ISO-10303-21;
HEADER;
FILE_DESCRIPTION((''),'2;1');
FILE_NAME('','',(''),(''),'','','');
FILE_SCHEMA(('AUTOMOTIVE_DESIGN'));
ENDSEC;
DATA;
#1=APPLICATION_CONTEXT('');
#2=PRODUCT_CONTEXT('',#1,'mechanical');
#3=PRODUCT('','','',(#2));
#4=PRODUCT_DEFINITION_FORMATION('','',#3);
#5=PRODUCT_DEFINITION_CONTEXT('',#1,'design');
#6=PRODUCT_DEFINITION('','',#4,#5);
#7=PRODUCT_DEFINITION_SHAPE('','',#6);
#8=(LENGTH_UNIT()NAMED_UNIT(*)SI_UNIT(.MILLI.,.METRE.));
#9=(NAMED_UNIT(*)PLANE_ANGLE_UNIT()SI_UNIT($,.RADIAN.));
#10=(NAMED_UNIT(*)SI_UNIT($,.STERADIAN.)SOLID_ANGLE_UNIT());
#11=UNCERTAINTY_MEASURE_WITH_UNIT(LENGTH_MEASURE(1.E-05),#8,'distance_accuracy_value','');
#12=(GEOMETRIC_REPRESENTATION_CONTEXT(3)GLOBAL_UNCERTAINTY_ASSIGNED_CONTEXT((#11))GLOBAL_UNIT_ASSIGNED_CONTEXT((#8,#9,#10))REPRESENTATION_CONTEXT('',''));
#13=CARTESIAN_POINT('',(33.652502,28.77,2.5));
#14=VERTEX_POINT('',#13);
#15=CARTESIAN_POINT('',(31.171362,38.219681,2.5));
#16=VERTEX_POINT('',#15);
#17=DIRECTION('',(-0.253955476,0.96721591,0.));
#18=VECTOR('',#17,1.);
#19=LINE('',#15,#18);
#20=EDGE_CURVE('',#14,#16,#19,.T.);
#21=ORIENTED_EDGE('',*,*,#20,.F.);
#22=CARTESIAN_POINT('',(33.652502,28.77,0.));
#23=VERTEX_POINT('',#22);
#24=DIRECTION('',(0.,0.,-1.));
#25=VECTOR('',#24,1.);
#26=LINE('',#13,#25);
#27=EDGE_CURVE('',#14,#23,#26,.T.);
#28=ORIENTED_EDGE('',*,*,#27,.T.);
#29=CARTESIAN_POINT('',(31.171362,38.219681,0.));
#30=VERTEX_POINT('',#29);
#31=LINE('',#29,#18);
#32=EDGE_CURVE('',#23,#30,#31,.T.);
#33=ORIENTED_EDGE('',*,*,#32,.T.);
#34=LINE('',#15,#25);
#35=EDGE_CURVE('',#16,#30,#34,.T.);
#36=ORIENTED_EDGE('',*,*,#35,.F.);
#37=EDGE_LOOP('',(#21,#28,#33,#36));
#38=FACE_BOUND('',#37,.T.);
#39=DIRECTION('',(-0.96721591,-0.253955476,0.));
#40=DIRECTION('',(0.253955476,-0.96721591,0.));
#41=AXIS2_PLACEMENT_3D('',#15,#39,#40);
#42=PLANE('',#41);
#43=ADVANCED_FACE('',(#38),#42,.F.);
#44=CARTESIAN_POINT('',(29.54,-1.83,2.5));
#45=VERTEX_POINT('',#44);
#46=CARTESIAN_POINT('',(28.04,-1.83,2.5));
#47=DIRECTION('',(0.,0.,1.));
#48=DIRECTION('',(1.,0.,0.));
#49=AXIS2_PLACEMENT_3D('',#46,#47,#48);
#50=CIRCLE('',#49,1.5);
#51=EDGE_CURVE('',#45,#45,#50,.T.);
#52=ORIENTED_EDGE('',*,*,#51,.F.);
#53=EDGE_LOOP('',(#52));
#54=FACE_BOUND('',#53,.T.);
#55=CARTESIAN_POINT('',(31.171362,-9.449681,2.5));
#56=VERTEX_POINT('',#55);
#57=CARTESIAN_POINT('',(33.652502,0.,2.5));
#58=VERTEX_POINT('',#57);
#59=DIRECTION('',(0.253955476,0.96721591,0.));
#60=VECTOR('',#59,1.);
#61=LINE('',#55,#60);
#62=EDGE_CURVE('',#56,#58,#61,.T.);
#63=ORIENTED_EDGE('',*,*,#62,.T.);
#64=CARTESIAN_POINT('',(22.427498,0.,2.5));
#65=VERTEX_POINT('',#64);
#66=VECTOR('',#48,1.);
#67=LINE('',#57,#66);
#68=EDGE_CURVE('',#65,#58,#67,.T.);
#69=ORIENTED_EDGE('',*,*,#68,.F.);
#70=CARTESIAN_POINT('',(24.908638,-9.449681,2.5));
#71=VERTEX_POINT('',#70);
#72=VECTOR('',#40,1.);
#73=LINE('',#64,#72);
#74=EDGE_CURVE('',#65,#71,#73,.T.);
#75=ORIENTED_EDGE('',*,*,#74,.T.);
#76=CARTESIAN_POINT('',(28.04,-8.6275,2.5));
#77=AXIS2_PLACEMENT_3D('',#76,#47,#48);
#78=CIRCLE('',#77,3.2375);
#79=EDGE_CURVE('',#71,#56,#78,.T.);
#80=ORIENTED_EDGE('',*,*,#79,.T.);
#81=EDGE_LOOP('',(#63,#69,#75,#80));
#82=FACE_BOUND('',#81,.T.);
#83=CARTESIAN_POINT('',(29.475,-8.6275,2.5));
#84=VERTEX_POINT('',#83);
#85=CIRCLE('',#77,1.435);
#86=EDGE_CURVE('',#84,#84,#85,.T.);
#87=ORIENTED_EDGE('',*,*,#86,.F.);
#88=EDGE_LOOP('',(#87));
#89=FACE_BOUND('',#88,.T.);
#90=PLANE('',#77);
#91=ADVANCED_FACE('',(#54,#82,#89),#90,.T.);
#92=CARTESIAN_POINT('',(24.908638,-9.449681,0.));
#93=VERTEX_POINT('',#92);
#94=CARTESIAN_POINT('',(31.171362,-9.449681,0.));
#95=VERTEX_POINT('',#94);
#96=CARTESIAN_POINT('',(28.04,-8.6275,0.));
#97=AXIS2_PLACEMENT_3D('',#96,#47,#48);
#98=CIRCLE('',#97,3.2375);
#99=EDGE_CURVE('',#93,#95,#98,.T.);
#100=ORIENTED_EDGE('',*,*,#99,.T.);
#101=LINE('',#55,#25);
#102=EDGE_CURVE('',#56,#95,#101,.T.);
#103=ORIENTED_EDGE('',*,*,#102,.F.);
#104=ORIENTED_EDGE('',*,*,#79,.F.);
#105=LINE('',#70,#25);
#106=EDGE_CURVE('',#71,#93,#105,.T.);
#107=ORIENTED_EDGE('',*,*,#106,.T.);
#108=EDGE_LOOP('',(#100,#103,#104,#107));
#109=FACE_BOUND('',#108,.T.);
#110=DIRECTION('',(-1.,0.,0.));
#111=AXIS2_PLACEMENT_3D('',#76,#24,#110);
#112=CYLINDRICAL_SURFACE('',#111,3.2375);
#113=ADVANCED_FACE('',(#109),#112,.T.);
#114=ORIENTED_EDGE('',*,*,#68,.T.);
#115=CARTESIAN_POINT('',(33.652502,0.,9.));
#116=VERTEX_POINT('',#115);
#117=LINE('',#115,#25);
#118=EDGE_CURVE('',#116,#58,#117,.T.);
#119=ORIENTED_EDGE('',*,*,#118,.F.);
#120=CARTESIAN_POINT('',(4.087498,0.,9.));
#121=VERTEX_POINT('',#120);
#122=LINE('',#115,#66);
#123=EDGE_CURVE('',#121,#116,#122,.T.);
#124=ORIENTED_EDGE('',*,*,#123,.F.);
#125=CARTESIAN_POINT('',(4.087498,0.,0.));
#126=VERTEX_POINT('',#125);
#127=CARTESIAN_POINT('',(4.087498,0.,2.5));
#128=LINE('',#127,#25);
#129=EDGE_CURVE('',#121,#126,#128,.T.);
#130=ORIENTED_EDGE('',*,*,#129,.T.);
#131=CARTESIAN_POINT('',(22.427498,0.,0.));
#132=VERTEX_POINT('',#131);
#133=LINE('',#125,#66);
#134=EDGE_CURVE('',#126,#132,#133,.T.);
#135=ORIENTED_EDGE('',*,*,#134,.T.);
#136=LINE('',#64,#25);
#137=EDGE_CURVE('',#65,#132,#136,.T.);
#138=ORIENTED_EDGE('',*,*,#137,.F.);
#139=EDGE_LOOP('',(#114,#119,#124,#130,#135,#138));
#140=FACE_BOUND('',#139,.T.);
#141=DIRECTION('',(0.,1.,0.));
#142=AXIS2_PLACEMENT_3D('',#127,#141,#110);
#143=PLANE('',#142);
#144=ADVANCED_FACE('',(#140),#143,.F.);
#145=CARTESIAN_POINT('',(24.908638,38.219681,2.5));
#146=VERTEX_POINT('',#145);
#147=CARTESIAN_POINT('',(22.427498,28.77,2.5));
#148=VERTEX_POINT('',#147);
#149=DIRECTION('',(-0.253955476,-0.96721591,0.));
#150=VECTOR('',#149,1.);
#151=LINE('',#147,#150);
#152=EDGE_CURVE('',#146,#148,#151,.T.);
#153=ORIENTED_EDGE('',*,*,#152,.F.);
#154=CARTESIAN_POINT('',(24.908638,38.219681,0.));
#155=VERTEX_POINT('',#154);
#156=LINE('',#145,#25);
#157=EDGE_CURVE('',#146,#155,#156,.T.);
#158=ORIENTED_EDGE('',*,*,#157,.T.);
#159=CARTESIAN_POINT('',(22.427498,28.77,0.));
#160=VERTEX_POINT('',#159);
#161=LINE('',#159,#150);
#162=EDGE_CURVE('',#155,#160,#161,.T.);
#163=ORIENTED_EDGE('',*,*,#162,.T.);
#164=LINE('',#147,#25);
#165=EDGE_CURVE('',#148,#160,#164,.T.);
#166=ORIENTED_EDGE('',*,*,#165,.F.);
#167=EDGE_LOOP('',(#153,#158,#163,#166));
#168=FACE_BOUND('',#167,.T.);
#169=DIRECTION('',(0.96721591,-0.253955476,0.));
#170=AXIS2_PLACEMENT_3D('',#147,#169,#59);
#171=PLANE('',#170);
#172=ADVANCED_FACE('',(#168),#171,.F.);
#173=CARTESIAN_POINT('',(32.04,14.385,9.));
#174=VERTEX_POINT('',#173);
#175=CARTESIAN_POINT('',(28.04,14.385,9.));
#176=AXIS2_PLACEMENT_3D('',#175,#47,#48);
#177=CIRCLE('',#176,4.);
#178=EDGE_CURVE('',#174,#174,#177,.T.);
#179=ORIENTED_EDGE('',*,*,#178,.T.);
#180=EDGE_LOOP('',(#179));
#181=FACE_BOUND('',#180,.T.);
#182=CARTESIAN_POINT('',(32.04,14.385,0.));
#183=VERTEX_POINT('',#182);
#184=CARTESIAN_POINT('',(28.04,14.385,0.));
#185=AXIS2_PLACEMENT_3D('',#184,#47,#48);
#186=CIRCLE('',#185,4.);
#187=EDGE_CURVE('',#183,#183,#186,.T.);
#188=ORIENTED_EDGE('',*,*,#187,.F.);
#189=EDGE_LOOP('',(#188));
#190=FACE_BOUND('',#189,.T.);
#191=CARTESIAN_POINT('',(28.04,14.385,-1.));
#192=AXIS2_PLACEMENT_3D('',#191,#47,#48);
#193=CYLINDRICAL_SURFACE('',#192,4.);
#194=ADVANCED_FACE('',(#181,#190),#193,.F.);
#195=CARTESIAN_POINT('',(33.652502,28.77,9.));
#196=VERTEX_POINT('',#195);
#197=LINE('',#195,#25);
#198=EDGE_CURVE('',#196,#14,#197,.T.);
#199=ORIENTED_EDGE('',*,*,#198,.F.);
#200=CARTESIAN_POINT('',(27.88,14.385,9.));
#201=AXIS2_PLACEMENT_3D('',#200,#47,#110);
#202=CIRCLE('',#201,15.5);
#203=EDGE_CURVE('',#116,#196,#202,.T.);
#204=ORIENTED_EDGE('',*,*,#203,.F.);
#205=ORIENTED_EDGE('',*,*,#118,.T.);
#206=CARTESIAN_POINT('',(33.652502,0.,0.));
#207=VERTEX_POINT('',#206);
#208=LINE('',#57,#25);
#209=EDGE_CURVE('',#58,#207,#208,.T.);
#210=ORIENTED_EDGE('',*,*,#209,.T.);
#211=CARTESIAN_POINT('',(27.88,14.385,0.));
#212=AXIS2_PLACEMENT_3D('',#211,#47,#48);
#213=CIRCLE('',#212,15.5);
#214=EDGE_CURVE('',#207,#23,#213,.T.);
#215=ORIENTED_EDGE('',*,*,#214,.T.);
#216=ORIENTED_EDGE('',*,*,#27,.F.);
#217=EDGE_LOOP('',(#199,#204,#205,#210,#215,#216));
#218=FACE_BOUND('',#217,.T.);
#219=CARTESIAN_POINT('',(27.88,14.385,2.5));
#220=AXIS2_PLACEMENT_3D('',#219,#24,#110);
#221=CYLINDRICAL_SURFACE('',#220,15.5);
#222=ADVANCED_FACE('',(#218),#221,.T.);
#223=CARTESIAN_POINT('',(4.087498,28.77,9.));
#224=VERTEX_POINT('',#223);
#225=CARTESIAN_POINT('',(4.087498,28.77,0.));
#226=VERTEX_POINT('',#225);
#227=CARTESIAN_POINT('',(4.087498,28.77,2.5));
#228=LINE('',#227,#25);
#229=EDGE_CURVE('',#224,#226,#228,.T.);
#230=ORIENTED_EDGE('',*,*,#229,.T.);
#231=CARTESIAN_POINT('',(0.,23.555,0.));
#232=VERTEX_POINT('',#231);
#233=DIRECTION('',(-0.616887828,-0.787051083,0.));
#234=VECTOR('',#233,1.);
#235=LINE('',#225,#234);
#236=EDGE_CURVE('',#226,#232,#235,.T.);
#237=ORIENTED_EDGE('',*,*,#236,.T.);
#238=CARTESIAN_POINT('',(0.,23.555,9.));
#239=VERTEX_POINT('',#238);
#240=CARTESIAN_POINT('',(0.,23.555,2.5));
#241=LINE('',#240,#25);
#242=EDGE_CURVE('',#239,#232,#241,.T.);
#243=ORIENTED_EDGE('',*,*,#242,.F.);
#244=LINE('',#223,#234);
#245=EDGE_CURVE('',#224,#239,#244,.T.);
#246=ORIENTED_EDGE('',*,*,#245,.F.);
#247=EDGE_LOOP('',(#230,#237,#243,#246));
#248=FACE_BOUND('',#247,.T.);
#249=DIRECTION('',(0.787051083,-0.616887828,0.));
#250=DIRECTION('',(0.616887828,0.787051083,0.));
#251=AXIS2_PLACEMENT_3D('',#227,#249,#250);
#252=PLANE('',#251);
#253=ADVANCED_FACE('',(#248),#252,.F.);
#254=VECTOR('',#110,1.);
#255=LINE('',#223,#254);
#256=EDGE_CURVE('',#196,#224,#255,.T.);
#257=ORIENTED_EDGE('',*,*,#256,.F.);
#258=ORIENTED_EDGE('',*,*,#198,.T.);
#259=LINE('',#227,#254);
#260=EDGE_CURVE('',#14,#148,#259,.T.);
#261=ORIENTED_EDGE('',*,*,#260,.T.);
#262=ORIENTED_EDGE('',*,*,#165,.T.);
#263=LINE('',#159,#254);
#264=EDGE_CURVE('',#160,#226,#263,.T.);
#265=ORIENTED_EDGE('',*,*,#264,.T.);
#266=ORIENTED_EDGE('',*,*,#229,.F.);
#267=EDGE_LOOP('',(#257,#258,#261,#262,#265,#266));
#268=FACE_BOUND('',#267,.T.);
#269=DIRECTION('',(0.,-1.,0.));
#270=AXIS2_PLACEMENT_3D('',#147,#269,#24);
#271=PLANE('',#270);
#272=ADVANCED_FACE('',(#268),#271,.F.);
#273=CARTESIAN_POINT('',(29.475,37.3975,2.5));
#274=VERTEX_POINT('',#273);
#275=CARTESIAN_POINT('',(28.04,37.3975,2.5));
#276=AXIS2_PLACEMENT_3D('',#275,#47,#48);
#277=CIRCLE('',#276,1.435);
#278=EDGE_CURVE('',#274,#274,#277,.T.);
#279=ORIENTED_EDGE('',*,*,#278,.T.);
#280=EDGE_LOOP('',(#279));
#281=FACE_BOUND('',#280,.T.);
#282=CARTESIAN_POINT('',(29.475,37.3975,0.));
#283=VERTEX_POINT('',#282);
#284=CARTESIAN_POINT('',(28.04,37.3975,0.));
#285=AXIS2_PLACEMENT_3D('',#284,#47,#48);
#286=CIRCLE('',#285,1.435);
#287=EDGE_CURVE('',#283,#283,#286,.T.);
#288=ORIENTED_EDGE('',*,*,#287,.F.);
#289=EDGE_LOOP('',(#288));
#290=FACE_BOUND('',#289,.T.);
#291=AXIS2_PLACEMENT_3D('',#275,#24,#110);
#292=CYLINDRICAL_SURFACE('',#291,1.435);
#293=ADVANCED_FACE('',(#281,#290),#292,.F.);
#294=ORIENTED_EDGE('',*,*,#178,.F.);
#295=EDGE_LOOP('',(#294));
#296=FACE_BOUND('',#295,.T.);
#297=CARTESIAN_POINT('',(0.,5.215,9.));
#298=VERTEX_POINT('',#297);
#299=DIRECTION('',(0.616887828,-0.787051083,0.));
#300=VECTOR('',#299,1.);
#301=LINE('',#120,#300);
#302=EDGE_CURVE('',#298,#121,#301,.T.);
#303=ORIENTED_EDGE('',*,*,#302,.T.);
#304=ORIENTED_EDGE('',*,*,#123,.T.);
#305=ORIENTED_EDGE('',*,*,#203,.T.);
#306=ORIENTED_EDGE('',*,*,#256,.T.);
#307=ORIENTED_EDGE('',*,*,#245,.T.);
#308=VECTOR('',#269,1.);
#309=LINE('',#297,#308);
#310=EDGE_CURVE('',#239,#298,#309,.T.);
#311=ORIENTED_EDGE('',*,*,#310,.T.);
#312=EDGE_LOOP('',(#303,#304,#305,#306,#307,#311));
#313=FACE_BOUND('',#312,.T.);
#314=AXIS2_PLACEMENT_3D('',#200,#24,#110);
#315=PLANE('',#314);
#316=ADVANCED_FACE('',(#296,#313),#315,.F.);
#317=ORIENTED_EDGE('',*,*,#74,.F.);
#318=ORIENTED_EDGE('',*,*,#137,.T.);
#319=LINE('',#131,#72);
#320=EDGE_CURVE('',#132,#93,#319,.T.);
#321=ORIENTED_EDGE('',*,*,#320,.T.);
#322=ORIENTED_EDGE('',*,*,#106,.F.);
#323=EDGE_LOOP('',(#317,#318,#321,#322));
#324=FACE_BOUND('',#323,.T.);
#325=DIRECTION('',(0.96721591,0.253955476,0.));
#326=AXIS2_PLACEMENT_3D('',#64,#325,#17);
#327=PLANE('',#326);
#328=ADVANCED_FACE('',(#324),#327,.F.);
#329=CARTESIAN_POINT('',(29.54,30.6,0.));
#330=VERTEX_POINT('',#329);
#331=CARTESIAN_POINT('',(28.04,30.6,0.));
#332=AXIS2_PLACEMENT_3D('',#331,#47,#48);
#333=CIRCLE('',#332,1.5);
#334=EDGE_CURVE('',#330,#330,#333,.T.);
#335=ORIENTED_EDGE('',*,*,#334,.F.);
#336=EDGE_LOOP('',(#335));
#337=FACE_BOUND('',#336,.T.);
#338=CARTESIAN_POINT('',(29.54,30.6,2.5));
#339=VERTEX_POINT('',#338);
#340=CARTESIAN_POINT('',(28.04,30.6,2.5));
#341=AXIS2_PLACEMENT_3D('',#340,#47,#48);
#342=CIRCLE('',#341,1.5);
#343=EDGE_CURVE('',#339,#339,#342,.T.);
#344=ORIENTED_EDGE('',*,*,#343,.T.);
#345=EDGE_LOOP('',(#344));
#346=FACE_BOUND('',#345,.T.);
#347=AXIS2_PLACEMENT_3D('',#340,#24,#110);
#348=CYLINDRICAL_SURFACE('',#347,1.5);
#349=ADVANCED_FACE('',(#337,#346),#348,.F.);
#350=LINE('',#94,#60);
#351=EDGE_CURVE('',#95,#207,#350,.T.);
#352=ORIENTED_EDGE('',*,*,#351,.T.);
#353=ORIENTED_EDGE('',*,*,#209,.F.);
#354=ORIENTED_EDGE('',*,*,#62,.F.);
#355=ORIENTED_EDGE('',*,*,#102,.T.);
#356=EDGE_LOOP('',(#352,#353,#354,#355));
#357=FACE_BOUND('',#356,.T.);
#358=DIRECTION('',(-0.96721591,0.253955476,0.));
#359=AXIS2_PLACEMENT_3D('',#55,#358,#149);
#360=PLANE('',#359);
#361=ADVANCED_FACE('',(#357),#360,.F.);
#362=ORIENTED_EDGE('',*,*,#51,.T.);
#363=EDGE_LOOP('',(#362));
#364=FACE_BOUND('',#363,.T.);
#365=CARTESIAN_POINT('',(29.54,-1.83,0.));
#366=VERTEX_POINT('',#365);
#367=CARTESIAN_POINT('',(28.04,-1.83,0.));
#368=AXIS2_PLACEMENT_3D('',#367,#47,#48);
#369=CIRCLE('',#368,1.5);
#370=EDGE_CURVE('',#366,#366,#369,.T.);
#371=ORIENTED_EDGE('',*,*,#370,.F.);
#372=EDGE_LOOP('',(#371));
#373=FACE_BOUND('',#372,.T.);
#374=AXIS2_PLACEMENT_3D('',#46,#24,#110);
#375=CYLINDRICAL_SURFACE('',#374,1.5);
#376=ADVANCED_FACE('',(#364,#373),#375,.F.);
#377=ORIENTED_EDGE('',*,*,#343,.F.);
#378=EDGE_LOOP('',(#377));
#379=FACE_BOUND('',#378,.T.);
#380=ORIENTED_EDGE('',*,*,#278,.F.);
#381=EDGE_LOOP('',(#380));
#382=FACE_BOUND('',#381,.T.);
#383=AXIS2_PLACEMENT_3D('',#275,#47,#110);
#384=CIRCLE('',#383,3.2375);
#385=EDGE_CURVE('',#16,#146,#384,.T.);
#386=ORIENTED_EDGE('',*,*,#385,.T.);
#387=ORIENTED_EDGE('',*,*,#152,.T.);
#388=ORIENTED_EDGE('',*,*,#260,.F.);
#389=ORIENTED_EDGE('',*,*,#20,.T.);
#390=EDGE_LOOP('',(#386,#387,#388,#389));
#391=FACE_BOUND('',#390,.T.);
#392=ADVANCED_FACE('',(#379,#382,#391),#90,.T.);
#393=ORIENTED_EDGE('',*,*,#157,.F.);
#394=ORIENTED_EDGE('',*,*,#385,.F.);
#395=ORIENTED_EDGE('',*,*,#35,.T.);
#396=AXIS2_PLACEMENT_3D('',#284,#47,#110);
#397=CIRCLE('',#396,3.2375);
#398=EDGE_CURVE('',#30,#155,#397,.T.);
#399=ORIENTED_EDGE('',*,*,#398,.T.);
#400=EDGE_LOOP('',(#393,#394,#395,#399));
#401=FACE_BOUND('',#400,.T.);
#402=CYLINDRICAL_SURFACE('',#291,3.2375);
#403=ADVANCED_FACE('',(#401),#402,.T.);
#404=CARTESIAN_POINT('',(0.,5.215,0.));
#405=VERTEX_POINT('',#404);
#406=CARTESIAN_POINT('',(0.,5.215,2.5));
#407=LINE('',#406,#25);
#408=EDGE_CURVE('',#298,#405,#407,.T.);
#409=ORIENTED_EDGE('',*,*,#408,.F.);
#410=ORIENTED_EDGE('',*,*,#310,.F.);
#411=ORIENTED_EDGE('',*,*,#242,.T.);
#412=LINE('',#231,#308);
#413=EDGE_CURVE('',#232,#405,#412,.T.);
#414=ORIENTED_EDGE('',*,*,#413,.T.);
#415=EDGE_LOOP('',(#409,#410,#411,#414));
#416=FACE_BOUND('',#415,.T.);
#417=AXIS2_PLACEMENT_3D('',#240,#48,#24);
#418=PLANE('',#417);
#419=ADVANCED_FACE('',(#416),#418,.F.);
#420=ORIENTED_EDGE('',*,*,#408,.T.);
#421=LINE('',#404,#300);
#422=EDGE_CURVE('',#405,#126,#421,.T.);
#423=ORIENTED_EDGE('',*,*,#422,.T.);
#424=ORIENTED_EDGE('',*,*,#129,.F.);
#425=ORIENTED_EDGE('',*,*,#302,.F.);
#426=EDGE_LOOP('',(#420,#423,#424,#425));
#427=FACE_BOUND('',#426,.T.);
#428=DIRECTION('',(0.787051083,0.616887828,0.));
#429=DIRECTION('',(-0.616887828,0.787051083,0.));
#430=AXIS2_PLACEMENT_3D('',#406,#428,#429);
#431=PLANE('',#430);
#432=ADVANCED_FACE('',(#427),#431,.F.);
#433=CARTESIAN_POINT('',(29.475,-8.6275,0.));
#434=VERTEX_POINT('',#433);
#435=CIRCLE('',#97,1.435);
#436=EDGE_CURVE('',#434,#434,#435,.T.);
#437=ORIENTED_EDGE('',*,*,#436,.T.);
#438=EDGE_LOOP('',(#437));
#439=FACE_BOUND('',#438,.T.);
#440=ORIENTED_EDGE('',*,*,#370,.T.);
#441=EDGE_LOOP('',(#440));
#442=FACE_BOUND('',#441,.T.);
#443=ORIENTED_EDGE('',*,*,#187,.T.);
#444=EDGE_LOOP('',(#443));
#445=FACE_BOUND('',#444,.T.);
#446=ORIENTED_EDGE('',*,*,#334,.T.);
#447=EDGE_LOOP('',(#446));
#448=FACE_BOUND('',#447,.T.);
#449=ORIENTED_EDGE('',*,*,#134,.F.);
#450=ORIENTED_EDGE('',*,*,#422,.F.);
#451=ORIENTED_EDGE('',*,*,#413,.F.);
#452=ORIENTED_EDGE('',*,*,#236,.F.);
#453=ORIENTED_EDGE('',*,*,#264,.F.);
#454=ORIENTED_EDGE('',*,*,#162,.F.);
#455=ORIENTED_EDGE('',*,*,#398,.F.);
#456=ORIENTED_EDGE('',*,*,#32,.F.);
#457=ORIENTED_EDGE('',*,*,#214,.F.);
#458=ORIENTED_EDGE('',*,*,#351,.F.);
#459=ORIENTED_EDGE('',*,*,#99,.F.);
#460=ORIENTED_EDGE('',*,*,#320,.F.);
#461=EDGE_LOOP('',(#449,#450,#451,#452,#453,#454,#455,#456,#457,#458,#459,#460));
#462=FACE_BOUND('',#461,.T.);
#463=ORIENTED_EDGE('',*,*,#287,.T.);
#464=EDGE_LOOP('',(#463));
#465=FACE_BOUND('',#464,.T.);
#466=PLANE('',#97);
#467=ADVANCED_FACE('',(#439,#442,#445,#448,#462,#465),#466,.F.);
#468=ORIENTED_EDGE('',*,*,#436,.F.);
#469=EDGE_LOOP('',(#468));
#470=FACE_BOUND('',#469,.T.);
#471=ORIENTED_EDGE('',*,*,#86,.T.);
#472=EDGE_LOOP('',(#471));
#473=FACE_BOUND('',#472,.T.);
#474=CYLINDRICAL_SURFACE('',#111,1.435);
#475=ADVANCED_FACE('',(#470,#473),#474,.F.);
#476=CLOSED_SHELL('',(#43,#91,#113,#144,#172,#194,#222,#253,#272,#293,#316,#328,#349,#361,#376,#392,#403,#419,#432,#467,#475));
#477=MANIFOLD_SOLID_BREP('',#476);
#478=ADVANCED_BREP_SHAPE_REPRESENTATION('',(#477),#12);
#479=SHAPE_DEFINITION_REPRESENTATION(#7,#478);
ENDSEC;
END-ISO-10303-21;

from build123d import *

# Parameters (mm, degrees)
ESQUISSE1_R             = 1.435
ESQUISSE1_R_2           = 1.5
BOSS_EXTRU_2_DEPTH      = 2.5
BOSS_EXTRU_3_DEPTH      = 6.5
ESQUISSE3_R             = 4
ENL_V_MAT_EXTRU_1_DEPTH = 10


with BuildPart() as part:
    # Esquisse1 → Boss.-Extru.2 (new body)
    with BuildSketch(Plane.XY):
        with BuildLine():
            Line((22.427498376, 0), (24.908638492, -9.449680852))
            ThreePointArc((24.908638492, -9.449680852), (28.04, -11.865), (31.171361508, -9.449680852))
            Line((31.171361508, -9.449680852), (33.652501624, 0))
            ThreePointArc((33.652501624, 0), (43.38, 14.385), (33.652501624, 28.77))
            Line((33.652501624, 28.77), (31.171361508, 38.219680852))
            ThreePointArc((31.171361508, 38.219680852), (28.04, 40.635), (24.908638492, 38.219680852))
            Line((24.908638492, 38.219680852), (22.427498376, 28.77))
            Line((22.427498376, 28.77), (4.087498376, 28.77))
            Line((4.087498376, 28.77), (0, 23.555))
            Line((0, 23.555), (0, 5.215))
            Line((0, 5.215), (4.087498376, 0))
            Line((4.087498376, 0), (22.427498376, 0))
        make_face()
        with Locations((28.04, 37.3975)):
            Circle(ESQUISSE1_R, mode=Mode.SUBTRACT)
        with Locations((28.04, -8.6275)):
            Circle(ESQUISSE1_R, mode=Mode.SUBTRACT)
        with Locations((28.04, 30.6)):
            Circle(ESQUISSE1_R_2, mode=Mode.SUBTRACT)
        with Locations((28.04, -1.83)):
            Circle(ESQUISSE1_R_2, mode=Mode.SUBTRACT)
    extrude(amount=BOSS_EXTRU_2_DEPTH)

    # Esquisse2 → Boss.-Extru.3 (add)
    with BuildSketch(Plane.XY.offset(2.5)):
        with BuildLine():
            Line((4.087498376, 28.77), (33.652501624, 28.77))
            ThreePointArc((33.652501624, 28.77), (43.38, 14.385), (33.652501624, 0))
            Line((33.652501624, 0), (4.087498376, 0))
            Line((4.087498376, 0), (0, 5.215))
            Line((0, 5.215), (0, 23.555))
            Line((0, 23.555), (4.087498376, 28.77))
        make_face()
    extrude(amount=BOSS_EXTRU_3_DEPTH)

    # Esquisse3 → Enlèv. mat.-Extru.1 (cut)
    with BuildSketch(Plane.XY.offset(9)):
        with Locations((28.04, 14.385)):
            Circle(ESQUISSE3_R)
    extrude(amount=-ENL_V_MAT_EXTRU_1_DEPTH, mode=Mode.SUBTRACT)


solid = part.part
